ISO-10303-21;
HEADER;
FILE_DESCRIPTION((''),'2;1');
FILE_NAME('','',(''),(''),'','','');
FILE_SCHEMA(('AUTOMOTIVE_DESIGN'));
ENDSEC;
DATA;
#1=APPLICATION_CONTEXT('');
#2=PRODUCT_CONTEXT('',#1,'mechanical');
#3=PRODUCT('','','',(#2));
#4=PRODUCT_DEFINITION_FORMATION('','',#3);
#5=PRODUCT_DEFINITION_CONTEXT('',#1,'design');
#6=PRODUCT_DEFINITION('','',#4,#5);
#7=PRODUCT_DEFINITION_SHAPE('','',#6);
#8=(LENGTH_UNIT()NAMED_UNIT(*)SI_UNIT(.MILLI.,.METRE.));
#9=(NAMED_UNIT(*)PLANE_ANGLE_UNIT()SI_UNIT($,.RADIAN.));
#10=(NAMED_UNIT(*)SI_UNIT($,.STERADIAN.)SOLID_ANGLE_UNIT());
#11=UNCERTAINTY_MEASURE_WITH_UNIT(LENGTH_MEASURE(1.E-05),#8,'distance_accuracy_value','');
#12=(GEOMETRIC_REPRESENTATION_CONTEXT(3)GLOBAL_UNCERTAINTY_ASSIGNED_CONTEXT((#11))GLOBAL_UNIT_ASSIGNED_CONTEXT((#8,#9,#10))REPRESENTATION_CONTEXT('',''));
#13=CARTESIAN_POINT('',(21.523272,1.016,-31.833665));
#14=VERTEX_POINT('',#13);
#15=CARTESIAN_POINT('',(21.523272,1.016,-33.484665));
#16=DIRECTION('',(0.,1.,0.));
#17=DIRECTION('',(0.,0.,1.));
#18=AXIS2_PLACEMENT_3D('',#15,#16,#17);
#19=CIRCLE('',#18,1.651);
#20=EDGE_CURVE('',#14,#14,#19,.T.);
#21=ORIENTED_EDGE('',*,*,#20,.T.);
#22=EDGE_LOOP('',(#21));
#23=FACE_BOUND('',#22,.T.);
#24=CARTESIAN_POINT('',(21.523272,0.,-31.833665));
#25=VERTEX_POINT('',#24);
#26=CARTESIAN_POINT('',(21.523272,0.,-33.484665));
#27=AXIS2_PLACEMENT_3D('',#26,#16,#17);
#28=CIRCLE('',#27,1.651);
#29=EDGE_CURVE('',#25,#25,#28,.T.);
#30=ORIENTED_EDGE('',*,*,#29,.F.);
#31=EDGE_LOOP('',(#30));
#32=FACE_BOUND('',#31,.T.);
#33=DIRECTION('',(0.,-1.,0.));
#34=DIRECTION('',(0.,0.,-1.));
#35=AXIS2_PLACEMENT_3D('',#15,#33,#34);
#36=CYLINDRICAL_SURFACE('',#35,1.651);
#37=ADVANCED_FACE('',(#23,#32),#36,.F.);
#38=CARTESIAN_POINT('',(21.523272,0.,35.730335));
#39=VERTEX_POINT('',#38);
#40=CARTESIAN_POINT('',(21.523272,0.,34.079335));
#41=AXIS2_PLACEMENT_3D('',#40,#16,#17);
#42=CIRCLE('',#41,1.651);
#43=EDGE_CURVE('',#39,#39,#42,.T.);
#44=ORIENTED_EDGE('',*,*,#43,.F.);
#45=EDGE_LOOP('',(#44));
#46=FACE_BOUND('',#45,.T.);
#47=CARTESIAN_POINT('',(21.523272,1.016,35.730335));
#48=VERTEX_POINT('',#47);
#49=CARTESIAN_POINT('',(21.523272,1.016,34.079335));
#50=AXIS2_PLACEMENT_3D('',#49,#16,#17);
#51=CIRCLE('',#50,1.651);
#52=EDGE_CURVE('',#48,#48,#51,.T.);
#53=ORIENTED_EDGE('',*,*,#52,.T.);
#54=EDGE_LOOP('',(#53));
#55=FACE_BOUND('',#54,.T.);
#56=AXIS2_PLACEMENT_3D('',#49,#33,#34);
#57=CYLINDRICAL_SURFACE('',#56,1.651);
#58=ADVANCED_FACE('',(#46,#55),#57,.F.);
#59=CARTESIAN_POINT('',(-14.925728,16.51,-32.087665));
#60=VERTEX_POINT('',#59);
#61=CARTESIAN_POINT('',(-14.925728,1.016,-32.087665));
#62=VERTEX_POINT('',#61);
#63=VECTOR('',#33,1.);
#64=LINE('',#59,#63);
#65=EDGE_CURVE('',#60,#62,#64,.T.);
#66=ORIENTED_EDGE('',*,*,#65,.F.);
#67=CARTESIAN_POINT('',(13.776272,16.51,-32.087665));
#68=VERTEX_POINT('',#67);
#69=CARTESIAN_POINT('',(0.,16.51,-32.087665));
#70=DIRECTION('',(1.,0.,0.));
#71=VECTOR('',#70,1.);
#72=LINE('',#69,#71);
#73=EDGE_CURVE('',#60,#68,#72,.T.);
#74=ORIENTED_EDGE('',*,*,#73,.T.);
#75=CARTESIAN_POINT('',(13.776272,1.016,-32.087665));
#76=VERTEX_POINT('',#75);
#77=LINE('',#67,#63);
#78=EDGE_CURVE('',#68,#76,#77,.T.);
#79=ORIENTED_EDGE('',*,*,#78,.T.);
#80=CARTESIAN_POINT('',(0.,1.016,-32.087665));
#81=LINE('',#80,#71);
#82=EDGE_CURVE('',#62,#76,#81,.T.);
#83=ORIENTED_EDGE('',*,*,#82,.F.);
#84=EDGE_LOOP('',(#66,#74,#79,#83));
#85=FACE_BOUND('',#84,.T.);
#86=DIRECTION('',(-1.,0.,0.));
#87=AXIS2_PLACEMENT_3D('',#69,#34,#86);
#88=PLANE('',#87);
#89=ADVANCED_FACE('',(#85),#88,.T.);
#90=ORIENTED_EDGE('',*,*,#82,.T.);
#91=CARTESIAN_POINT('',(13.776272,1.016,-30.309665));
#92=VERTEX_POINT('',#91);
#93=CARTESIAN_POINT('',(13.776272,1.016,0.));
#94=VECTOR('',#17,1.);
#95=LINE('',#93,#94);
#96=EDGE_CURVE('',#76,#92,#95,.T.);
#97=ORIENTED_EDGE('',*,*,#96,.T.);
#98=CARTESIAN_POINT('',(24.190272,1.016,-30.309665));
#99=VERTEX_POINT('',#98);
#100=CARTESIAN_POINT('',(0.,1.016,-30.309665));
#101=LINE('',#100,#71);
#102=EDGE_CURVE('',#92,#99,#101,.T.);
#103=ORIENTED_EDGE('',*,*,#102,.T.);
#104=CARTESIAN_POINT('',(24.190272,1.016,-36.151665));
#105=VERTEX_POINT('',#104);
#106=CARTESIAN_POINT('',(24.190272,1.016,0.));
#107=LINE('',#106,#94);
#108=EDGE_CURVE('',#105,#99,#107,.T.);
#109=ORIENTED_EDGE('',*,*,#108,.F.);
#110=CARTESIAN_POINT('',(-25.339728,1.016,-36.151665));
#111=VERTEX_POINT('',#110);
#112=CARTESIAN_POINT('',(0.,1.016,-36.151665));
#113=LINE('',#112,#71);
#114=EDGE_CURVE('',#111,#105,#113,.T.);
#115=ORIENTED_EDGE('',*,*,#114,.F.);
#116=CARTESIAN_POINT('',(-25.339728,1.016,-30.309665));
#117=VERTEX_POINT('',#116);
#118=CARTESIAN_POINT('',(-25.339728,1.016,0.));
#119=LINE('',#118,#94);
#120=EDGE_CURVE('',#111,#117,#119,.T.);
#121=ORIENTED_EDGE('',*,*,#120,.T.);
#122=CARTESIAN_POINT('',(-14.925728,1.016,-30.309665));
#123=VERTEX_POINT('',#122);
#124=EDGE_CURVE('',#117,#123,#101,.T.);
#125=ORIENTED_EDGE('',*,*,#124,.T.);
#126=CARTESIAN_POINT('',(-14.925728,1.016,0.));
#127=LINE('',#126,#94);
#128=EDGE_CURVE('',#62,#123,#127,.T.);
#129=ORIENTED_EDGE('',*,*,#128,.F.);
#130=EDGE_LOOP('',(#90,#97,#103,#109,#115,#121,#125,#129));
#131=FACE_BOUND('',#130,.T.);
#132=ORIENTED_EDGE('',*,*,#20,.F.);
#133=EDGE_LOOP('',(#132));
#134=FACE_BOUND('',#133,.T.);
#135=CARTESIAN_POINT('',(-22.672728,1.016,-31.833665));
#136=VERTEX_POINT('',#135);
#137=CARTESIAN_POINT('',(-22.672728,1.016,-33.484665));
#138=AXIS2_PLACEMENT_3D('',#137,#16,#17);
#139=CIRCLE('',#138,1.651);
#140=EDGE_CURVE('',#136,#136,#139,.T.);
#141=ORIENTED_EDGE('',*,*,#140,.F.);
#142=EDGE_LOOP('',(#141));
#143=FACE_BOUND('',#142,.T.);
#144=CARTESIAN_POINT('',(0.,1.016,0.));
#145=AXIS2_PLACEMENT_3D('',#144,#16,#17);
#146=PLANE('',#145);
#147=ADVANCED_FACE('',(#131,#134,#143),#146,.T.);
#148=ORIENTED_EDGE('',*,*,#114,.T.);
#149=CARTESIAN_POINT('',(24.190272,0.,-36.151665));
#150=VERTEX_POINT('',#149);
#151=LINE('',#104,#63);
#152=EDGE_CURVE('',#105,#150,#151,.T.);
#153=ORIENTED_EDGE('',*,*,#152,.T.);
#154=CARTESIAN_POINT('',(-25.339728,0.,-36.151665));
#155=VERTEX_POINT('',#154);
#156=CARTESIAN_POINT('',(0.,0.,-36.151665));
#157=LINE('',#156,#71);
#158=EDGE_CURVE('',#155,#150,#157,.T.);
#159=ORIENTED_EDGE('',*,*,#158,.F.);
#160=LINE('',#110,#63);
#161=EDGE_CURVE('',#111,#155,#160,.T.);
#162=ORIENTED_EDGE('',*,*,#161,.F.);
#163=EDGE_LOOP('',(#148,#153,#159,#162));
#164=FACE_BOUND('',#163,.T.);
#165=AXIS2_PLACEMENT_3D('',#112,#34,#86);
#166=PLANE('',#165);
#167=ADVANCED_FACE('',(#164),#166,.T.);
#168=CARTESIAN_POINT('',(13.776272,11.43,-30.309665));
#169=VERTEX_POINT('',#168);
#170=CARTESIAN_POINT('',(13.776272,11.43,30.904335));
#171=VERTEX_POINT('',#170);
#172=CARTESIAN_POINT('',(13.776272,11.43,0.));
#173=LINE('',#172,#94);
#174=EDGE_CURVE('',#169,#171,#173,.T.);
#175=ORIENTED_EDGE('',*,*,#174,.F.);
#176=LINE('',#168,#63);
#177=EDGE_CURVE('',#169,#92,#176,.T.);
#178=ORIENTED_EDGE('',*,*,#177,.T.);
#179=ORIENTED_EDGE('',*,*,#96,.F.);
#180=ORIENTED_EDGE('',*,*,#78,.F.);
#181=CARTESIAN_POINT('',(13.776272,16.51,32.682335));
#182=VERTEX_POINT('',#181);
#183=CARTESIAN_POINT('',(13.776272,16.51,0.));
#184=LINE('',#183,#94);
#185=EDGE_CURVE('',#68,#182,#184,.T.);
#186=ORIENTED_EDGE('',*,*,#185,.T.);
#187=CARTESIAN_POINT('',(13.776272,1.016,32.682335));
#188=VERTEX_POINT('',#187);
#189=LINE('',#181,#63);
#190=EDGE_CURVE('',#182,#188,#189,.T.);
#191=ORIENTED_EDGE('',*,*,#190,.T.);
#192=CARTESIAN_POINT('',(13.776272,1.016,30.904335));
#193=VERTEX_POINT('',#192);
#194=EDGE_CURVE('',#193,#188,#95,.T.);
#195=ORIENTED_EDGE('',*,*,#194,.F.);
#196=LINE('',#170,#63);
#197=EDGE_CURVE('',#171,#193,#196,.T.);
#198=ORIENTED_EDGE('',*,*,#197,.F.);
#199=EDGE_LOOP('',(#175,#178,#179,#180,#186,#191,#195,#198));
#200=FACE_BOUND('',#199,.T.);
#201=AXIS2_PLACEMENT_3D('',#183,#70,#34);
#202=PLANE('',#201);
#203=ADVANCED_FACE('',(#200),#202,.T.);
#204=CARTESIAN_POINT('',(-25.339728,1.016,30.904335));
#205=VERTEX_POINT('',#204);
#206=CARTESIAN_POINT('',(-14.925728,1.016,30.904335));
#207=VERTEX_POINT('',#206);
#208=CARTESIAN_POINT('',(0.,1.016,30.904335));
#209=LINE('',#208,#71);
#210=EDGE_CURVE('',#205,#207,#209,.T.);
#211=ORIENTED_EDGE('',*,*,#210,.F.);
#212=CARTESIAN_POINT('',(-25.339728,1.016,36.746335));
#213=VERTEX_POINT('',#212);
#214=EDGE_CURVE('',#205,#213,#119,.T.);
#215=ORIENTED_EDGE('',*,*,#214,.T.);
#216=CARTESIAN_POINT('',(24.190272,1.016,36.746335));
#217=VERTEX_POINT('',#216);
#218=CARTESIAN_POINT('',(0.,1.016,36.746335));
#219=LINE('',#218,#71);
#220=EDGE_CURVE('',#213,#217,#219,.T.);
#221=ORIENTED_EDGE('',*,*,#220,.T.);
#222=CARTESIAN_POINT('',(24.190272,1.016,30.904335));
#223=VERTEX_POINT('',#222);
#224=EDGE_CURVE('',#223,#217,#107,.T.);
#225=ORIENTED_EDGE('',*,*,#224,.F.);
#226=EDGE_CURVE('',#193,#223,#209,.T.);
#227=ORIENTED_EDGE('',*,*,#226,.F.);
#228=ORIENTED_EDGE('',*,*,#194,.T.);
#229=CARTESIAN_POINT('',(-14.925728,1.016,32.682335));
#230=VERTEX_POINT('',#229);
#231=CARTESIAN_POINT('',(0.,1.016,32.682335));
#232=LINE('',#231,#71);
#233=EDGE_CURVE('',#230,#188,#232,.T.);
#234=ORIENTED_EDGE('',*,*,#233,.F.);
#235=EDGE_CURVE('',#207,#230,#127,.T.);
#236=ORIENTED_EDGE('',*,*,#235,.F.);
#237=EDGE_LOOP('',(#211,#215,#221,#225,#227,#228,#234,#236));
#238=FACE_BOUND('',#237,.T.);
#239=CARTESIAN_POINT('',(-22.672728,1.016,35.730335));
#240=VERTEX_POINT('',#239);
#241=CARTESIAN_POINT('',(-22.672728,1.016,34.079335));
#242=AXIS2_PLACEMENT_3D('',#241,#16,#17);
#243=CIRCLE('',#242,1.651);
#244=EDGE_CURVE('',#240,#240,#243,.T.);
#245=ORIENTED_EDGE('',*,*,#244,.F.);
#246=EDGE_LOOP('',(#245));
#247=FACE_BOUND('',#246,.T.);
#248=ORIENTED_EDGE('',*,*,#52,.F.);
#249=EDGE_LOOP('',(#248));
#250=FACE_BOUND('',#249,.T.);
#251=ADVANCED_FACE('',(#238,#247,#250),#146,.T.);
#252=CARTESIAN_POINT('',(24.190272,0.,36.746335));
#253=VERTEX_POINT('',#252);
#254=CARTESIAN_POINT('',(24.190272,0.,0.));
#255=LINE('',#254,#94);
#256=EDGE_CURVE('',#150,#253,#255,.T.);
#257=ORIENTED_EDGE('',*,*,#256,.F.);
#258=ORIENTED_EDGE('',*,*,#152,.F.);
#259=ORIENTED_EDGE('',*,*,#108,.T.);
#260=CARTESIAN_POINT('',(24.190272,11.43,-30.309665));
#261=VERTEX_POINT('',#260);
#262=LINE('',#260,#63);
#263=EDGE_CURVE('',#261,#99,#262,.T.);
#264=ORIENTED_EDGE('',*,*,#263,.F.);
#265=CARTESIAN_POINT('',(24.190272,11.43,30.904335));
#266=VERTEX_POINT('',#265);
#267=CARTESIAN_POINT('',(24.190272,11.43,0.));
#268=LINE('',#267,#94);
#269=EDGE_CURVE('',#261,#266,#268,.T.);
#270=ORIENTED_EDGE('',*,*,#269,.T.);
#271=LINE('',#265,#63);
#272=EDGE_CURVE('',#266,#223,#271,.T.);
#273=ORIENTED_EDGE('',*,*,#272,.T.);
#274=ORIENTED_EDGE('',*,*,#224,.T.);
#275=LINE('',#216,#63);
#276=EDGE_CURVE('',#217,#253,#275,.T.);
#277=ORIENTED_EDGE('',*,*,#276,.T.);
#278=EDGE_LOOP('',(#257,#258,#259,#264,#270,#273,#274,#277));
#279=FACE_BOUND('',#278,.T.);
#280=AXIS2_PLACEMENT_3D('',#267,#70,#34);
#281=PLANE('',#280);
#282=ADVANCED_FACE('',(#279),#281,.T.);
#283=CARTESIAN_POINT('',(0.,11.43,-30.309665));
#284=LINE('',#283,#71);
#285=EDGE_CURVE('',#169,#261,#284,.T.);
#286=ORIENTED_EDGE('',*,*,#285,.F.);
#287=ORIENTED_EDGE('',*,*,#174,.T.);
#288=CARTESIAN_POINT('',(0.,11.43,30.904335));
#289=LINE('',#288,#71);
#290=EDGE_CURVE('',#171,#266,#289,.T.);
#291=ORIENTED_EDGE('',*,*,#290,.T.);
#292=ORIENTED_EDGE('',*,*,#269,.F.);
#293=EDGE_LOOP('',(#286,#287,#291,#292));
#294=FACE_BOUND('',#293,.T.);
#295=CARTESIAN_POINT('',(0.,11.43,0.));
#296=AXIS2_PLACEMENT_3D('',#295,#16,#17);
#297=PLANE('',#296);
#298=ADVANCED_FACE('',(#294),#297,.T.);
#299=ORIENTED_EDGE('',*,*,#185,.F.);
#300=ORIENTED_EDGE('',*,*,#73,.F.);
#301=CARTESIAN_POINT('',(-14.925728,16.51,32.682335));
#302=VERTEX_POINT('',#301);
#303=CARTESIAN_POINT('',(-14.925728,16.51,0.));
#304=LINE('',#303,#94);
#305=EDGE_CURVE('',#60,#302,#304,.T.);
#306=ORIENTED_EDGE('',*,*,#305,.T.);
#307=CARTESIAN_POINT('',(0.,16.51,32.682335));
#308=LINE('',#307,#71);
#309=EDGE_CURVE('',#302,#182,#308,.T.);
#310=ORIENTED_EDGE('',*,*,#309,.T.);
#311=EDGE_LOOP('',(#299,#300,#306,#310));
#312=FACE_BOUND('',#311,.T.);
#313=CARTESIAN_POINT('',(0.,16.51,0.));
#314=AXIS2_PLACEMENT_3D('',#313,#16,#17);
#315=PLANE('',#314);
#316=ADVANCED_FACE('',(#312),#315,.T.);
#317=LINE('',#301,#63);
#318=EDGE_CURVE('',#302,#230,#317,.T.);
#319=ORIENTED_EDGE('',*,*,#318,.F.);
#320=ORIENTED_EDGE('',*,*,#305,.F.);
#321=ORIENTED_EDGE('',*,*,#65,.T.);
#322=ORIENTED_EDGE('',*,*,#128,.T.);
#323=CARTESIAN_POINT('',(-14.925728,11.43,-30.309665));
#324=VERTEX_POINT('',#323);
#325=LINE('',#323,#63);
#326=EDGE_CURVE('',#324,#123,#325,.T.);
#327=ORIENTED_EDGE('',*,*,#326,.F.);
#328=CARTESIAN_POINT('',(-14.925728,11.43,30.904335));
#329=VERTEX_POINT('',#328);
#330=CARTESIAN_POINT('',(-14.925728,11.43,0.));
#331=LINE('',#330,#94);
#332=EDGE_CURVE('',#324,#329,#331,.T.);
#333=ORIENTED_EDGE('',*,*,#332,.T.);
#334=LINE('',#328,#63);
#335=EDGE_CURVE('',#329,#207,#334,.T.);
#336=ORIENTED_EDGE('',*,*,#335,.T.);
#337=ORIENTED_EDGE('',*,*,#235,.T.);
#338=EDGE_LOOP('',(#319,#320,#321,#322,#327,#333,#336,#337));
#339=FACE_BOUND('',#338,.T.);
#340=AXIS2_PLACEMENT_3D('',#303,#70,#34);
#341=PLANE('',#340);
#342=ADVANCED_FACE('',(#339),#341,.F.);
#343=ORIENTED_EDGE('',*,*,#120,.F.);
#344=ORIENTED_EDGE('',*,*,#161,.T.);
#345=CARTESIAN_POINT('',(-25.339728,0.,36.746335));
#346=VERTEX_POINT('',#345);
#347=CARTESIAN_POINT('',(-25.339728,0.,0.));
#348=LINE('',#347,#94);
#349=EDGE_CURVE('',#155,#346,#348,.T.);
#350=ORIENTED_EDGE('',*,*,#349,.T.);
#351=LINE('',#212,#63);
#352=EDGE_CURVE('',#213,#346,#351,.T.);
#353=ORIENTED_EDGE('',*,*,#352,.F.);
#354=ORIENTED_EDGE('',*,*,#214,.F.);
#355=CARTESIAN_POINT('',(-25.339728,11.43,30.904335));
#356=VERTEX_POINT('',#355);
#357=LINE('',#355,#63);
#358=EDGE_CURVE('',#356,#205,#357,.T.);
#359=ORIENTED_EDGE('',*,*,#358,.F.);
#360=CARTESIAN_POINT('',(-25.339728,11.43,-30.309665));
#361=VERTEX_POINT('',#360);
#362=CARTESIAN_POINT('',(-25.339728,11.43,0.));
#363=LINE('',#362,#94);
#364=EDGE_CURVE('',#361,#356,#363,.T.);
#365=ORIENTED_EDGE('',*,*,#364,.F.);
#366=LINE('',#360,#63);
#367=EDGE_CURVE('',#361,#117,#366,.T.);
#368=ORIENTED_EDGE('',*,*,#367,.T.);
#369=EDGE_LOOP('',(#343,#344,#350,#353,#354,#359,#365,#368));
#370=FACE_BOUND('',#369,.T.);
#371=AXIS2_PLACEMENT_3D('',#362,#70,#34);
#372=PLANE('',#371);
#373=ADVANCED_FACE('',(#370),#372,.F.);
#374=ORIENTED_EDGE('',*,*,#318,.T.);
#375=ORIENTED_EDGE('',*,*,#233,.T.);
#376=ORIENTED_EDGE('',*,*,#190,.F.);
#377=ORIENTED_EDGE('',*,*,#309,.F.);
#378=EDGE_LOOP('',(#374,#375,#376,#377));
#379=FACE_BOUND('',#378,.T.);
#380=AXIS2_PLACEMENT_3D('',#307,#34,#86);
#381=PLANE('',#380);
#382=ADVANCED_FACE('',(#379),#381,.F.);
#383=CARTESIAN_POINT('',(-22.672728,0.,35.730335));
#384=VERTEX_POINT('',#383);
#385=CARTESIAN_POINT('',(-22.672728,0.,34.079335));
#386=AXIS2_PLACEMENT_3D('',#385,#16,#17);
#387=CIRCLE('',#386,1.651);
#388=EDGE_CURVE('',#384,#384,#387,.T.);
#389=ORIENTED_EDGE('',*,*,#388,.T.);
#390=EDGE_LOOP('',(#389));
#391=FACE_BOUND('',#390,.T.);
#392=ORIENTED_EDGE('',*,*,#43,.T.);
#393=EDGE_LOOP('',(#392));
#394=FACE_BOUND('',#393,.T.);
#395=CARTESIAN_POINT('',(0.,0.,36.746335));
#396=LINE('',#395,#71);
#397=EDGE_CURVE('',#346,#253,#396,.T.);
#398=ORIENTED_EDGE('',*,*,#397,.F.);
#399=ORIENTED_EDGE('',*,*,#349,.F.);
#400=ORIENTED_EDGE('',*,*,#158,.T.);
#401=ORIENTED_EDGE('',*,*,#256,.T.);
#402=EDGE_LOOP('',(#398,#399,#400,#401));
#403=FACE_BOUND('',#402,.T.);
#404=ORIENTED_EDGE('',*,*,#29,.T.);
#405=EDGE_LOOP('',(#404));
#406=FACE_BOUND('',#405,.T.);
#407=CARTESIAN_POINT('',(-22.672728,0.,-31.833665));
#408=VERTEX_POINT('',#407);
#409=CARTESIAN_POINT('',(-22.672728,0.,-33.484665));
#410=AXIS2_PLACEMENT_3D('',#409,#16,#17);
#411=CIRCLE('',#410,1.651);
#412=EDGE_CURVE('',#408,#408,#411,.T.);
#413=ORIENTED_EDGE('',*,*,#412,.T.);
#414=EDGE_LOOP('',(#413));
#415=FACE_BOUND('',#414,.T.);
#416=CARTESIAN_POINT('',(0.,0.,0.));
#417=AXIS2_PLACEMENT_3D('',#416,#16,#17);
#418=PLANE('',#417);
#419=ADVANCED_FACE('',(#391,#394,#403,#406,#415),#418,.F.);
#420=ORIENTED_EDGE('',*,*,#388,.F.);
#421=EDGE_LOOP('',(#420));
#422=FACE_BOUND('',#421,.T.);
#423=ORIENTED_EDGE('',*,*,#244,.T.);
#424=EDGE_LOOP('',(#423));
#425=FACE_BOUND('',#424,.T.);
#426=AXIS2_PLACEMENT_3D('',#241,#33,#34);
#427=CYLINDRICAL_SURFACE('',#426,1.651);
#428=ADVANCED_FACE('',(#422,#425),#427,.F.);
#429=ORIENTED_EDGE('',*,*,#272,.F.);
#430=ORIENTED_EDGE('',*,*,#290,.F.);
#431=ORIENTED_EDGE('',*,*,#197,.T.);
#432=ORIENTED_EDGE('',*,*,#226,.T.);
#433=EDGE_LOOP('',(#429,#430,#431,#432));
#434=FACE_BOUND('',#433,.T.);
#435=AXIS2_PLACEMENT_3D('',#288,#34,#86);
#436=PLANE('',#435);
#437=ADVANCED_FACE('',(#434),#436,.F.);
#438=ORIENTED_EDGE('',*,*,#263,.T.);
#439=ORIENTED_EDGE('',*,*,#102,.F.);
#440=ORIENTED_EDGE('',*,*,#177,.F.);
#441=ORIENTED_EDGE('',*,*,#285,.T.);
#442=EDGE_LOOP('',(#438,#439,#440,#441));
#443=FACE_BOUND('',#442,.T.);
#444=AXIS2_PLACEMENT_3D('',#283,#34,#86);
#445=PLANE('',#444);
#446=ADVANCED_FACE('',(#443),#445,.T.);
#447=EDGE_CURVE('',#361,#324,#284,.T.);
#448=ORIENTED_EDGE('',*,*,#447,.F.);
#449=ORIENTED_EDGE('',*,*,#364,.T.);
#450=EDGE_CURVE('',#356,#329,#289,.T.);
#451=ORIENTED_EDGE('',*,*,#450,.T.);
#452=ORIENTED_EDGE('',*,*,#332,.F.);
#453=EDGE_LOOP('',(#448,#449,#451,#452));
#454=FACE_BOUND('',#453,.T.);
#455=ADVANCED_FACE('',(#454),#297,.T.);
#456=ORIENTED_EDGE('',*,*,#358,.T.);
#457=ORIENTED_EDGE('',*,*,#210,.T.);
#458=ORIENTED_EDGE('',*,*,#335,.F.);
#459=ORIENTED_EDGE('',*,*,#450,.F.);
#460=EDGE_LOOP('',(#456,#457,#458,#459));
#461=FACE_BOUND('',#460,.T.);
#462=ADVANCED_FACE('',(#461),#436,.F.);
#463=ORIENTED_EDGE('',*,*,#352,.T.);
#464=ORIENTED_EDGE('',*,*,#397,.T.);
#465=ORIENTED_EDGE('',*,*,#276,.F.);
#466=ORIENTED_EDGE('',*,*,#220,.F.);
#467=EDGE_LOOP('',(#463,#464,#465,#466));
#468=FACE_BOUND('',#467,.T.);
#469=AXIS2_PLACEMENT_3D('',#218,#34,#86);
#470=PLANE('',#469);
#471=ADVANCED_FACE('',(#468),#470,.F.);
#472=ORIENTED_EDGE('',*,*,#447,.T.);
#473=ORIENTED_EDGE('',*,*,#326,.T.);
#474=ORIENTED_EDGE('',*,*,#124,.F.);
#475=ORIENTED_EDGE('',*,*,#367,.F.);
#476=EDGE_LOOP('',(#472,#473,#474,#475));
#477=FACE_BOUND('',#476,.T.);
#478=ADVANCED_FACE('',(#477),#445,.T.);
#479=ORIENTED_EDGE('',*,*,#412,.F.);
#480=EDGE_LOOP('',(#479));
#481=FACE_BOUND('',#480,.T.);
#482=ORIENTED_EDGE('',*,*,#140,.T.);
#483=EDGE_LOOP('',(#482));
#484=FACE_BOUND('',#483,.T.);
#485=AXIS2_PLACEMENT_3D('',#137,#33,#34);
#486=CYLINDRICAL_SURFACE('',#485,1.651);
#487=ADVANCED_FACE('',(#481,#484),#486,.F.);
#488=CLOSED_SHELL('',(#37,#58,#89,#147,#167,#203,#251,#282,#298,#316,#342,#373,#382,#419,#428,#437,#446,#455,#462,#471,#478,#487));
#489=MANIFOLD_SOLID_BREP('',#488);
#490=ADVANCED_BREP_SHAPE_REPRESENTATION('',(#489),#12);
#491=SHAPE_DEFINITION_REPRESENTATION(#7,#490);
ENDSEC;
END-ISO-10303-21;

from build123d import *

# Parameters (mm, degrees)
BOSS_EXTRUDE1_DEPTH = 16.51
SKETCH1_6_W         = 10.414
SKETCH1_6_H         = 61.214
BOSS_EXTRUDE2_DEPTH = 11.43
SKETCH1_7_R         = 1.651
BOSS_EXTRUDE3_DEPTH = 1.016


with BuildPart() as part:
    # Sketch1 → Boss-Extrude1 (new body)
    with BuildSketch(Plane(origin=(0, 0, 0), x_dir=(1, 0, 0), z_dir=(0, 1, 0))):
        Polygon((-14.925727978, 32.087664761), (-14.925727978, 30.309664761), (-14.925727978, -30.904335239), (-14.925727978, -32.682335239), (13.776272022, -32.682335239), (13.776272022, -30.904335239), (13.776272022, 30.309664761), (13.776272022, 32.087664761), align=None)
    extrude(amount=BOSS_EXTRUDE1_DEPTH)

    # Sketch1<6> → Boss-Extrude2 (add)
    with BuildSketch(Plane(origin=(0, 0, 0), x_dir=(1, 0, 0), z_dir=(0, 1, 0))):
        with Locations((-20.132727978, -0.297335239)):
            Rectangle(SKETCH1_6_W, SKETCH1_6_H)
        with Locations((18.983272022, -0.297335239)):
            Rectangle(SKETCH1_6_W, SKETCH1_6_H)
    extrude(amount=BOSS_EXTRUDE2_DEPTH)

    # Sketch1<7> → Boss-Extrude3 (add)
    # profile 1 of 2: a face of its own
    with BuildSketch(Plane(origin=(0, 0, 0), x_dir=(1, 0, 0), z_dir=(0, 1, 0))):
        Polygon((-25.339727978, 36.151664761), (-25.339727978, 30.309664761), (-14.925727978, 30.309664761), (-14.925727978, 32.087664761), (13.776272022, 32.087664761), (13.776272022, 30.309664761), (24.190272022, 30.309664761), (24.190272022, 36.151664761), align=None)
        with Locations((-22.672727978, 33.484664761)):
            Circle(SKETCH1_7_R, mode=Mode.SUBTRACT)
        with Locations((21.523272022, 33.484664761)):
            Circle(SKETCH1_7_R, mode=Mode.SUBTRACT)
    # profile 2 of 2: a face of its own
    with BuildSketch(Plane(origin=(0, 0, 0), x_dir=(1, 0, 0), z_dir=(0, 1, 0))):
        Polygon((-14.925727978, -30.904335239), (-25.339727978, -30.904335239), (-25.339727978, -36.746335239), (24.190272022, -36.746335239), (24.190272022, -30.904335239), (13.776272022, -30.904335239), (13.776272022, -32.682335239), (-14.925727978, -32.682335239), align=None)
        with Locations((-22.672727978, -34.079335239)):
            Circle(SKETCH1_7_R, mode=Mode.SUBTRACT)
        with Locations((21.523272022, -34.079335239)):
            Circle(SKETCH1_7_R, mode=Mode.SUBTRACT)
    extrude(amount=BOSS_EXTRUDE3_DEPTH)


solid = part.part
